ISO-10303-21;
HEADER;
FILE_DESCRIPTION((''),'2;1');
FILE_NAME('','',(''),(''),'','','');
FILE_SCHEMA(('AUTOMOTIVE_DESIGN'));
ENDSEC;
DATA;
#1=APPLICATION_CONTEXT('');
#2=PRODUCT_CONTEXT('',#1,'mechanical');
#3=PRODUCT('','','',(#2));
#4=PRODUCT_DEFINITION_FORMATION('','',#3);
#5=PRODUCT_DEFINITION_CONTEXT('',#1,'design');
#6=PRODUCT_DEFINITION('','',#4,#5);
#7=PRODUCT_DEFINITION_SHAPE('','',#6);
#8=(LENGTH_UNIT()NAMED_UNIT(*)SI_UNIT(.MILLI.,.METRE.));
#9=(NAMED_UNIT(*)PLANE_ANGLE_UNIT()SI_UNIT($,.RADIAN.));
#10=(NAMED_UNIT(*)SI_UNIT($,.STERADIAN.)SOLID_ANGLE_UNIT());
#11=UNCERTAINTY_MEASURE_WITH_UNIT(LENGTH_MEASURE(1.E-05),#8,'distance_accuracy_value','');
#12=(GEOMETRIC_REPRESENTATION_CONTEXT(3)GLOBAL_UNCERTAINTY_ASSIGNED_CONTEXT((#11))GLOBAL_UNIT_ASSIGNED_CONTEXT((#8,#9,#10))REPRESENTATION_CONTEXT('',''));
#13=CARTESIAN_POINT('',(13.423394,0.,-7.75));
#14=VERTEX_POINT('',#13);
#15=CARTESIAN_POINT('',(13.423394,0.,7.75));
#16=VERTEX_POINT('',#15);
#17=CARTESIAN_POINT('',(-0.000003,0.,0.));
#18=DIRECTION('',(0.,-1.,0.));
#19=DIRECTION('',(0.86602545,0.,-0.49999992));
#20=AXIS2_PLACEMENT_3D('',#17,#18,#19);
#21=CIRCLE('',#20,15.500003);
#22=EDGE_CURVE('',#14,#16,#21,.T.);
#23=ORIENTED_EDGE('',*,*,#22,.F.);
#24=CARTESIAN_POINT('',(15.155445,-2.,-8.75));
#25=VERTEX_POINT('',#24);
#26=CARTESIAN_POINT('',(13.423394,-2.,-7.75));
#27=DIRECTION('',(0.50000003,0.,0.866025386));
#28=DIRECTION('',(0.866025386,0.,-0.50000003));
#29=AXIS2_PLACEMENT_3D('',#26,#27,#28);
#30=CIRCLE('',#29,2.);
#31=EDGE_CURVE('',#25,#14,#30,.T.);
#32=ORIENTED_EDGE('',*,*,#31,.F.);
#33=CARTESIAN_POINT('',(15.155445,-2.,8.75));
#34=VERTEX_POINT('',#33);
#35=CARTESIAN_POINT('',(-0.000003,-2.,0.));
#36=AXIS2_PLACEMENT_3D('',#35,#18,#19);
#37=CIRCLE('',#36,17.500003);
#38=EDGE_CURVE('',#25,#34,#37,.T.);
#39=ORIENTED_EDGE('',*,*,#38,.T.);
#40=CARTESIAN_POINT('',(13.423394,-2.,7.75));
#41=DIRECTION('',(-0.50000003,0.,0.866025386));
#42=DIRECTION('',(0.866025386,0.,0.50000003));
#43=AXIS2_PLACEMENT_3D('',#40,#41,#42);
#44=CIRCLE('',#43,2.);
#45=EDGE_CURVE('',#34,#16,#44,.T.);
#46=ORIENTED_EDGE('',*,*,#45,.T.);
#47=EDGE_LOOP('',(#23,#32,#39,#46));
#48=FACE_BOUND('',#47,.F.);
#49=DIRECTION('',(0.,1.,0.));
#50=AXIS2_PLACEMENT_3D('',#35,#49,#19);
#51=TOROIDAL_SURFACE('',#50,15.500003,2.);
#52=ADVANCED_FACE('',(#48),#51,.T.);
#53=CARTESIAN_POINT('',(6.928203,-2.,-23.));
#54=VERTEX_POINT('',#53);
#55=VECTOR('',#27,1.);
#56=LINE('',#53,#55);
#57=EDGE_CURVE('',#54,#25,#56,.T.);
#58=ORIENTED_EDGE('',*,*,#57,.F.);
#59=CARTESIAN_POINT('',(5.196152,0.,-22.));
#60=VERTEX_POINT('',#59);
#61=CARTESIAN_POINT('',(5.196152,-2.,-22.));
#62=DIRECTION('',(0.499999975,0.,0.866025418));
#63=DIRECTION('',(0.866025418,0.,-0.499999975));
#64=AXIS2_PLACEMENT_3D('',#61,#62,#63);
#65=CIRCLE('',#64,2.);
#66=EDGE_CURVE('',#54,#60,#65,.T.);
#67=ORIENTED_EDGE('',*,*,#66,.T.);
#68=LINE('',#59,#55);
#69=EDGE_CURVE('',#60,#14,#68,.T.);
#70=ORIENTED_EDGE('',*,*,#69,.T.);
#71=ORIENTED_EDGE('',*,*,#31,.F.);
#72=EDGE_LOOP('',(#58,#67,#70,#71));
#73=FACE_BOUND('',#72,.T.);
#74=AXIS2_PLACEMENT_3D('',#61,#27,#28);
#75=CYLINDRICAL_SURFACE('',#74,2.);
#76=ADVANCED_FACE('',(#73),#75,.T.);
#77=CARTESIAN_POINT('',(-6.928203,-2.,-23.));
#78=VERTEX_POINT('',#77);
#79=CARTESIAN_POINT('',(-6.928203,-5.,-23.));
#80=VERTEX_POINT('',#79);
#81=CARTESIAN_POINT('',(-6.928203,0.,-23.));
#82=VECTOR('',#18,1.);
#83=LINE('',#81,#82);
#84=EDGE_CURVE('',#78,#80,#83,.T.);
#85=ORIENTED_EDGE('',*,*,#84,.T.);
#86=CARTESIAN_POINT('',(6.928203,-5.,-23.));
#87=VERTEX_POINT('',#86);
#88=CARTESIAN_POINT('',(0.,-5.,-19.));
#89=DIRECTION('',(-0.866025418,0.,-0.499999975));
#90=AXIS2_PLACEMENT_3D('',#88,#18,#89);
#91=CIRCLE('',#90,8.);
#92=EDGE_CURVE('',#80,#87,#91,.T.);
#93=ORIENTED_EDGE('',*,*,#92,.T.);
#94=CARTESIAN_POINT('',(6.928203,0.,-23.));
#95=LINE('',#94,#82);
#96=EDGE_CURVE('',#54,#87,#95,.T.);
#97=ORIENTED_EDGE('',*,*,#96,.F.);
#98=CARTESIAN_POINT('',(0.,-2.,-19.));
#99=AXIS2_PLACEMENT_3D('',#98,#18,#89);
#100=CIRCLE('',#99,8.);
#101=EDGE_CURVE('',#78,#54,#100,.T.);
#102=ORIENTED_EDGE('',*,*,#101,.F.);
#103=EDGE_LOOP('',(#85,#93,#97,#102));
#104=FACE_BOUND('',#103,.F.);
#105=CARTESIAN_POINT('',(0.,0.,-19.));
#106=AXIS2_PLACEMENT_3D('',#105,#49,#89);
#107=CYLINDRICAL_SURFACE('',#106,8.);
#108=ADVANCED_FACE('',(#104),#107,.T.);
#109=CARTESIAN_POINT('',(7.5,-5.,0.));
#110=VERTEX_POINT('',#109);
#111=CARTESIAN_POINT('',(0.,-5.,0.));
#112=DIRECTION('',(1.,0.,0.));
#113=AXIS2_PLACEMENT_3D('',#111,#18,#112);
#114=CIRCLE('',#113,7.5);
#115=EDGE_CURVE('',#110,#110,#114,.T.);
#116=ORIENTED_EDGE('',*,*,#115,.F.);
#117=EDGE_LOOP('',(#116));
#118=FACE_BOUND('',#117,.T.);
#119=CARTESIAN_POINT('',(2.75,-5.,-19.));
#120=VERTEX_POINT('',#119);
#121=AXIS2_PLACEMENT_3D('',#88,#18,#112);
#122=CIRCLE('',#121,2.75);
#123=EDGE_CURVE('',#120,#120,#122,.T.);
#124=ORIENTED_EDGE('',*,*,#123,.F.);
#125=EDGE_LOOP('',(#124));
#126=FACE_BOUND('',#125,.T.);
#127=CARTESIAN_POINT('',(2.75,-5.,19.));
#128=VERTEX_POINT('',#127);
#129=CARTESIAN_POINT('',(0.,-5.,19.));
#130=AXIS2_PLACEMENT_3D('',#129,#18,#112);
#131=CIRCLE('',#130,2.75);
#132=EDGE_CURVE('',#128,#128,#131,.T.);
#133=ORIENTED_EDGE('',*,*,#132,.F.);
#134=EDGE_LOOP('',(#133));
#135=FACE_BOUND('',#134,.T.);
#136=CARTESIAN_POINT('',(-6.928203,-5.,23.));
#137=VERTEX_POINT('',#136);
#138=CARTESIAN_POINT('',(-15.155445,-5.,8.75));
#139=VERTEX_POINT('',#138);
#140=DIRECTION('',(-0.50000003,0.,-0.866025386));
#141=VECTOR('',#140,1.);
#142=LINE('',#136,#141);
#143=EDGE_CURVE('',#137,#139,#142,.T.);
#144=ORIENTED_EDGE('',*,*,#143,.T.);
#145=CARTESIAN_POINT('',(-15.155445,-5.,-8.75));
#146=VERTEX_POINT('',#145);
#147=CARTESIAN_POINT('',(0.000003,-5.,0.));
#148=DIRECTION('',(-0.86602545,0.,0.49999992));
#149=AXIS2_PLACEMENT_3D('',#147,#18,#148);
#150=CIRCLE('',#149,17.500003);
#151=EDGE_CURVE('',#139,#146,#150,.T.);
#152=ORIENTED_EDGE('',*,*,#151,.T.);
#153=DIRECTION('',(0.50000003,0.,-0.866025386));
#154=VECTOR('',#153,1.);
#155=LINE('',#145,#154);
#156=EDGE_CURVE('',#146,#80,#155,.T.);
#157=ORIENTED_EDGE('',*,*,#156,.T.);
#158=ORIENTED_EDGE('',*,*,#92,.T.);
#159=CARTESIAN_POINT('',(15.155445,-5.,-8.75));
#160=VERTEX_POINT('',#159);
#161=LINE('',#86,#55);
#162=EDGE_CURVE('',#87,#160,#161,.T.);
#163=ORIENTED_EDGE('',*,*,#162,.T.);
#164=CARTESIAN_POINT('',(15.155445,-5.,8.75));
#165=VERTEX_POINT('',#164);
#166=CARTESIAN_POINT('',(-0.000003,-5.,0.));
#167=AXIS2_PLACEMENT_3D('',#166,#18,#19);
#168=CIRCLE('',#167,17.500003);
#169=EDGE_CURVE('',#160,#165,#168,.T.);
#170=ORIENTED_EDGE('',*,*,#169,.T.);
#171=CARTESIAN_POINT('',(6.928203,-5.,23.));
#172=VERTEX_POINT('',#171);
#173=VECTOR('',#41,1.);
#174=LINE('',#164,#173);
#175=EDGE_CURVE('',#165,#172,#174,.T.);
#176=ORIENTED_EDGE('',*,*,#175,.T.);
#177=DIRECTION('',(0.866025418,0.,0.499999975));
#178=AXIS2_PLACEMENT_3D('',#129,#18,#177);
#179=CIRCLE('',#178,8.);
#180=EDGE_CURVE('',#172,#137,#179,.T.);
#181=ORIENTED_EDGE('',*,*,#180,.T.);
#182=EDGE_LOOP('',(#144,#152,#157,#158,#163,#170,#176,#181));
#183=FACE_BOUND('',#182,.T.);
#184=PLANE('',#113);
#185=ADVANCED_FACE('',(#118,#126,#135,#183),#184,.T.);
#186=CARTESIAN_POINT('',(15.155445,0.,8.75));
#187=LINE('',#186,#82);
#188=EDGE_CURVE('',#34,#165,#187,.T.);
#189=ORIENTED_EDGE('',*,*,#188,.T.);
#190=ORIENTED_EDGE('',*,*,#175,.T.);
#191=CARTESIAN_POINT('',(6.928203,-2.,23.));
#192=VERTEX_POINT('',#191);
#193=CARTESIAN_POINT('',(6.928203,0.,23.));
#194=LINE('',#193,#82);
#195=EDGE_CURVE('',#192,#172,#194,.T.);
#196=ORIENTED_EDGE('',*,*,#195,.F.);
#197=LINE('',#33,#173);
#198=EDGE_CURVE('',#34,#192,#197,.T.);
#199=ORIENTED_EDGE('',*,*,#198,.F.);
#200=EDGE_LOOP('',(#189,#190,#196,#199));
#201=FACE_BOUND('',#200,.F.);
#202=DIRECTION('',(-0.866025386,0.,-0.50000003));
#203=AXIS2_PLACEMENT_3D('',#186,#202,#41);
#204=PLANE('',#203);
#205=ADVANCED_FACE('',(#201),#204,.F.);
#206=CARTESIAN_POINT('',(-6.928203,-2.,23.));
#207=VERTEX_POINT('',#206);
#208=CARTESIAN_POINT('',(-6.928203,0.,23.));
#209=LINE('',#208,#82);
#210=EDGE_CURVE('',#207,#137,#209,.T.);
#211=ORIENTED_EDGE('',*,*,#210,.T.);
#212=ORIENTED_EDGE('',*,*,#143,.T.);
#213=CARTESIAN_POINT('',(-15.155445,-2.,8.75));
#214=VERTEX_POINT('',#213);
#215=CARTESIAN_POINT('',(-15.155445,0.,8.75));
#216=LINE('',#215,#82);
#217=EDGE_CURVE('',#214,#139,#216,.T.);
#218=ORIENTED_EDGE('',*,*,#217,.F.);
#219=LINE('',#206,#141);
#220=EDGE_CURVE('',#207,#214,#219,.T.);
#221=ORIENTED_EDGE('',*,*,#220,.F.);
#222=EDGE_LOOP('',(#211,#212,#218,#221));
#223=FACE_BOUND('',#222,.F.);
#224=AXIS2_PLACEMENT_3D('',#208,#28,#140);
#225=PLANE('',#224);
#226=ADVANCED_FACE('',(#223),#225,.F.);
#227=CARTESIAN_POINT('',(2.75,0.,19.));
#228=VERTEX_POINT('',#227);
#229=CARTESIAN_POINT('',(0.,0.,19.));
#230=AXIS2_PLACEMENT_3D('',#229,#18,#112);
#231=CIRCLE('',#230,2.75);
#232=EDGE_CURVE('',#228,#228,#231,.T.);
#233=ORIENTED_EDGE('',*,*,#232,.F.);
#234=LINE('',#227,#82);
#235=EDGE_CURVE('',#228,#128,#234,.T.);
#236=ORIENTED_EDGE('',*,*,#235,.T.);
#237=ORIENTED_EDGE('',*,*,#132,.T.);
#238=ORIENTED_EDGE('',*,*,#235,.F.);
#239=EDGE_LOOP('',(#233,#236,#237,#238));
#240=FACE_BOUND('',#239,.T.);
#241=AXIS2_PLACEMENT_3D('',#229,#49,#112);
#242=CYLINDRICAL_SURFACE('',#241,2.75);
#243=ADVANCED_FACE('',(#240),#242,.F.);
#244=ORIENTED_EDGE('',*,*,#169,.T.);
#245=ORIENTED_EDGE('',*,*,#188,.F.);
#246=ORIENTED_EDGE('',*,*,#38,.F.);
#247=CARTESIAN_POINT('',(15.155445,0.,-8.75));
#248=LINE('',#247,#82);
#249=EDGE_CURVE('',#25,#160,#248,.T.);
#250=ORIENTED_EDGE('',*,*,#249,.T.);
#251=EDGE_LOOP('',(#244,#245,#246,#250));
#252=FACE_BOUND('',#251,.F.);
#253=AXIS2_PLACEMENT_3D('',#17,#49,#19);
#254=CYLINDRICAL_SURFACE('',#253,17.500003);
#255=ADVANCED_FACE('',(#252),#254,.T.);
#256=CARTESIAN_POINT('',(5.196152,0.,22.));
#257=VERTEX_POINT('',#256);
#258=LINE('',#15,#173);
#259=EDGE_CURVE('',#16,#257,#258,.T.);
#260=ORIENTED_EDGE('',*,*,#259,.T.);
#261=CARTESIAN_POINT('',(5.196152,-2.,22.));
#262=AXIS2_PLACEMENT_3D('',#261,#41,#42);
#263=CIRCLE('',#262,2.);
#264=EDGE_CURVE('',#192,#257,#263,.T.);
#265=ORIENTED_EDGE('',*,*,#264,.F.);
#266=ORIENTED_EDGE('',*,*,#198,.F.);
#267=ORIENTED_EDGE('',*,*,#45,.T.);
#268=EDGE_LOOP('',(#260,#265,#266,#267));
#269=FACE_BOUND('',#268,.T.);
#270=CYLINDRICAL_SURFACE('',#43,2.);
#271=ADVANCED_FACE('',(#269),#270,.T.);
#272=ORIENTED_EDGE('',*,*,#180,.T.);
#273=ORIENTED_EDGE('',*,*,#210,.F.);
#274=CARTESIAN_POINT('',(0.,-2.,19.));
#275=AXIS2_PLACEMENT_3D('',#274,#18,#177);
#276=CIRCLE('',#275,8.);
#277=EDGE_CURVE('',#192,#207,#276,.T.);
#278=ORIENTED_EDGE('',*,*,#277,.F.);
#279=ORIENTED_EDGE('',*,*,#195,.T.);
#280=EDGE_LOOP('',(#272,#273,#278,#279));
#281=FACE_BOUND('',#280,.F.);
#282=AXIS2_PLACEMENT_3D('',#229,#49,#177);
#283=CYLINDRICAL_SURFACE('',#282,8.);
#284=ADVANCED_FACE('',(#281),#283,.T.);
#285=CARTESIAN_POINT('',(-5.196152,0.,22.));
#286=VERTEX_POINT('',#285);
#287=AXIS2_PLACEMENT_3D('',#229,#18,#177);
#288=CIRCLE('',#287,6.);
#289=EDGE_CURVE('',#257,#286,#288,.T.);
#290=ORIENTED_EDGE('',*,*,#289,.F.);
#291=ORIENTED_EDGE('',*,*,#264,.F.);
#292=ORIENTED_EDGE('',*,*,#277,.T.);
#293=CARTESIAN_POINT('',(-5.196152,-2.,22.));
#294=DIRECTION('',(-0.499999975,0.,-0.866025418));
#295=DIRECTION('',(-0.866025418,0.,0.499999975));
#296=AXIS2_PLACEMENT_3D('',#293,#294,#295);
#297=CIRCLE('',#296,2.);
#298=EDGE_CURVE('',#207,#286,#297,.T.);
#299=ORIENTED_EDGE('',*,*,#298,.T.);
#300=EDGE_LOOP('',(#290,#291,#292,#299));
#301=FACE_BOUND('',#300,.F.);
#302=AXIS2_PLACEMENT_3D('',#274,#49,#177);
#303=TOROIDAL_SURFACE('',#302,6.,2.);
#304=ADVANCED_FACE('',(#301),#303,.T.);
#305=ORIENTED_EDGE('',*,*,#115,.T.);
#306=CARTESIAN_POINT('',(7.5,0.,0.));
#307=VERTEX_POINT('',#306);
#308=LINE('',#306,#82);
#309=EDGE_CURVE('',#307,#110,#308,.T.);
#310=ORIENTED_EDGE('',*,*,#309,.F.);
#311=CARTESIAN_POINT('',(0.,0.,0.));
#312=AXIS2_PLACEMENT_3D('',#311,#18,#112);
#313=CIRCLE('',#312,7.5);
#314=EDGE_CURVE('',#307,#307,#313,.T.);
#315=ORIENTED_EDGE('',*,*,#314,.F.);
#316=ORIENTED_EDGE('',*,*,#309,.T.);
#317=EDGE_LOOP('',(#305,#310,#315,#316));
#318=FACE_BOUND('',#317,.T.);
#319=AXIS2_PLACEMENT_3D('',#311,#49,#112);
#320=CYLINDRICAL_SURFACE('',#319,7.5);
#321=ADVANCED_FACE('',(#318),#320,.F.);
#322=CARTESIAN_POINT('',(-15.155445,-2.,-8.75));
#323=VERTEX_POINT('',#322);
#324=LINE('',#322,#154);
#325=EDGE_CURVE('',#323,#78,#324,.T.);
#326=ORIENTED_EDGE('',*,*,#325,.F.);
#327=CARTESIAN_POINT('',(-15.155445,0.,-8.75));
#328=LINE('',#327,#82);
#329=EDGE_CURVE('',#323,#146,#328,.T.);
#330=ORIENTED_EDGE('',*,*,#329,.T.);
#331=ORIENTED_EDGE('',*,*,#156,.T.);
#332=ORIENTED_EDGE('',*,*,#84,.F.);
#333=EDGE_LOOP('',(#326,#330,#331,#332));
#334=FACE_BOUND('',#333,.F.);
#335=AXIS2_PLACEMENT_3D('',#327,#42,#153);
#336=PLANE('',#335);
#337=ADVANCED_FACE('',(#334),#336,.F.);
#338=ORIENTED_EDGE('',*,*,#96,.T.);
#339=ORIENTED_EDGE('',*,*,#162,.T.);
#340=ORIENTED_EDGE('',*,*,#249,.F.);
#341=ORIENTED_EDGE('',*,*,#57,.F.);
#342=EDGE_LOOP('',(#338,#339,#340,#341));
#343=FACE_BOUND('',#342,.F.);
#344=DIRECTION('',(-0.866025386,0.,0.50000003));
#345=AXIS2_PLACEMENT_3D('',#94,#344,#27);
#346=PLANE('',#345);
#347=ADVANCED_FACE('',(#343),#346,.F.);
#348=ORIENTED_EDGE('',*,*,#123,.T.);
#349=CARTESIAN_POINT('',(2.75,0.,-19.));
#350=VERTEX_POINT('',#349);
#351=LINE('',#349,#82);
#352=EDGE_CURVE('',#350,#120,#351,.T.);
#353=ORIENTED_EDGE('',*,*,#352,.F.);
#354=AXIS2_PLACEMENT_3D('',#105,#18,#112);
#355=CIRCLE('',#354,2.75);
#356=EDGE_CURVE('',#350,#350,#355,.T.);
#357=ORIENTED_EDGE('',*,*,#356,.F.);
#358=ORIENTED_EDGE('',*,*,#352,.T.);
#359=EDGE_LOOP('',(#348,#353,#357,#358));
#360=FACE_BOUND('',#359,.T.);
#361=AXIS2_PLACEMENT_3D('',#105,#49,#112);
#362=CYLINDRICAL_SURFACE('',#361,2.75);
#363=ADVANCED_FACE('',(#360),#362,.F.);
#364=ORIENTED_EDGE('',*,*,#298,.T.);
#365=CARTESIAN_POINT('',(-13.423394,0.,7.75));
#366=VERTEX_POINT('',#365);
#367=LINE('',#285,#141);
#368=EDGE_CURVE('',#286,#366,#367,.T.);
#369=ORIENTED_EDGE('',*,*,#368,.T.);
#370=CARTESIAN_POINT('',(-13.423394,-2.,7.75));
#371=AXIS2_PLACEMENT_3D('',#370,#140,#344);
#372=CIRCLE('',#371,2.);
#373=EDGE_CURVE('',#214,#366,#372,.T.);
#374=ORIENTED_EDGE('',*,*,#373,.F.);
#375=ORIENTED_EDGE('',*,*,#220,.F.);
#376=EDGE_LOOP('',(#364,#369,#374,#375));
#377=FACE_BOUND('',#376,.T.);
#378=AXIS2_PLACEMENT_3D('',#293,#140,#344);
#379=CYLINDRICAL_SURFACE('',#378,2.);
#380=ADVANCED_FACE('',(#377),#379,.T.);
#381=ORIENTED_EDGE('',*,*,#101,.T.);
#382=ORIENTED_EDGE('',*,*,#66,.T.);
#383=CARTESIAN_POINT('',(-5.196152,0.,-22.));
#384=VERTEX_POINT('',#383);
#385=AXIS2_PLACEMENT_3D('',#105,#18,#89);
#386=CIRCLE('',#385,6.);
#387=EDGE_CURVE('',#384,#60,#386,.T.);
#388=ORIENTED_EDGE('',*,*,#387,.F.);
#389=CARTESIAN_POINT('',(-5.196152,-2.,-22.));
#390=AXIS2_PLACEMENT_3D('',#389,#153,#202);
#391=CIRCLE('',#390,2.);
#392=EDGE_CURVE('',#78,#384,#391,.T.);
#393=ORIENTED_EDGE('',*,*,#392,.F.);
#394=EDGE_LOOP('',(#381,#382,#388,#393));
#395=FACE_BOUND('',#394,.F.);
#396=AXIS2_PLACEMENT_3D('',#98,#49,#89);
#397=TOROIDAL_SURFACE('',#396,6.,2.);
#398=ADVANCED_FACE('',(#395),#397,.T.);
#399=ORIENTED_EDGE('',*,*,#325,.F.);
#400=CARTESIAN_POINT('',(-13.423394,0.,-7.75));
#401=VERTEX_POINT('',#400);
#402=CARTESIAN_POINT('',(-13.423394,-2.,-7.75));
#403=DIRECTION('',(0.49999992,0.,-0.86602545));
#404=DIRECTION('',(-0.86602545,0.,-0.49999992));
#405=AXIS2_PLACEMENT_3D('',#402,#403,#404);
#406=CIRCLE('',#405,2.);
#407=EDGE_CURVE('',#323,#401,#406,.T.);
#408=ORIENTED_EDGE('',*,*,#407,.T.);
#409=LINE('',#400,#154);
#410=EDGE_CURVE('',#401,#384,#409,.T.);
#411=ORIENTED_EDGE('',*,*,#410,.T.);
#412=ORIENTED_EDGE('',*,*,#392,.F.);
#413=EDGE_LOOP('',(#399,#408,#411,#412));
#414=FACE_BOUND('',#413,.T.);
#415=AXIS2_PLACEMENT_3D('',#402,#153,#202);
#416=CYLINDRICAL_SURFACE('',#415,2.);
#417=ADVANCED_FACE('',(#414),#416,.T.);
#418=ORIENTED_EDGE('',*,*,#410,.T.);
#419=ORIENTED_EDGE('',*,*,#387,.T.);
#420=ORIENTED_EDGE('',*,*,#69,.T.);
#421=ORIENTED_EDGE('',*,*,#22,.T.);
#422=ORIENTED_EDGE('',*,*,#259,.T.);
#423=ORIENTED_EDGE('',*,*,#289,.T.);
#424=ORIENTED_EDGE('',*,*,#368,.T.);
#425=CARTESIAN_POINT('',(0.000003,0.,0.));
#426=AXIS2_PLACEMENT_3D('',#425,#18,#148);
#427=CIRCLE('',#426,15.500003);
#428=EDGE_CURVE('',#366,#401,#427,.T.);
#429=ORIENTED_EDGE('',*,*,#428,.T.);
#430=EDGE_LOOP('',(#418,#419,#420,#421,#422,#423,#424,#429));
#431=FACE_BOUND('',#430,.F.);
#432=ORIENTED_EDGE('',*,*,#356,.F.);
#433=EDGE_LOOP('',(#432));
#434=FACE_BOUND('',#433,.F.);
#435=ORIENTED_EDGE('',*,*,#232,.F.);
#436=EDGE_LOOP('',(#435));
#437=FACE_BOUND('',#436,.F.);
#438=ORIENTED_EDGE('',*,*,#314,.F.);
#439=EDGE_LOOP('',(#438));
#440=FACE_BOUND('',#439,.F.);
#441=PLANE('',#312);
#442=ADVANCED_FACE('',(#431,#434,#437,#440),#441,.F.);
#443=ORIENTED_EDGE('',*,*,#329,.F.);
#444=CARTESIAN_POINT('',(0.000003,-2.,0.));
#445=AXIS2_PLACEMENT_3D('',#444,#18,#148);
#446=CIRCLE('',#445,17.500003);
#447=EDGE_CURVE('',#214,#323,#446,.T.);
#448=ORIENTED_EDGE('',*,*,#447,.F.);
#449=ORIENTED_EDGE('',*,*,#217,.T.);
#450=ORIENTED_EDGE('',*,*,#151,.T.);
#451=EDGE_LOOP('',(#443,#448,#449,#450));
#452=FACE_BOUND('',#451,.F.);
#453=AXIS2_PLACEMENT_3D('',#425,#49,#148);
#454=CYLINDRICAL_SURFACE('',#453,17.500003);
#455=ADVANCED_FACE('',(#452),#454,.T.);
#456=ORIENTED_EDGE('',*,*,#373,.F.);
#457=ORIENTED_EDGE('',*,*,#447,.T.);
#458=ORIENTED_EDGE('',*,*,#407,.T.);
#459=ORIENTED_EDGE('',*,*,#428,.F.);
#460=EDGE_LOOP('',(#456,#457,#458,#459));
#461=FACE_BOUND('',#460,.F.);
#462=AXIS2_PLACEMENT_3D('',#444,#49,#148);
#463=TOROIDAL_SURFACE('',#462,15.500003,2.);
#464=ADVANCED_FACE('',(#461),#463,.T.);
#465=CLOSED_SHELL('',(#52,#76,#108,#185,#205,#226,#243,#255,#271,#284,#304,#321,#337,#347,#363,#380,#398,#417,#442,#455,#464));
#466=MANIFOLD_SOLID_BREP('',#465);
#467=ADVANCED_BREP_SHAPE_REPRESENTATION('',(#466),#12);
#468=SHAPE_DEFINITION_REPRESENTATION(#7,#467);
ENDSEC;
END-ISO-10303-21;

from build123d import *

# Parameters (mm, degrees)
F0_R     = 2.75
F0_R_2   = 7.5
F1_DEPTH = 5
F2_R     = 2


with BuildPart() as f1:
    # F0 (on Front) → F1 (new body)
    with BuildSketch(Plane.XZ):
        with BuildLine():
            Line((-6.928203, 23), (-15.155445, 8.75))
            ThreePointArc((-15.155445, 8.75), (-17.5, 0), (-15.155445, -8.75))
            Line((-15.155445, -8.75), (-6.928203, -23))
            ThreePointArc((-6.928203, -23), (0, -27), (6.928203, -23))
            Line((6.928203, -23), (15.155445, -8.75))
            ThreePointArc((15.155445, -8.75), (17.5, 0), (15.155445, 8.75))
            Line((15.155445, 8.75), (6.928203, 23))
            ThreePointArc((6.928203, 23), (0, 27), (-6.928203, 23))
        make_face()
        with Locations((0, -19)):
            Circle(F0_R, mode=Mode.SUBTRACT)
        Circle(F0_R_2, mode=Mode.SUBTRACT)
        with Locations((0, 19)):
            Circle(F0_R, mode=Mode.SUBTRACT)
    extrude(amount=F1_DEPTH)

    # F2
    f2_edges = [f1.edges().sort_by_distance(p)[0] for p in [
        (11.041824, 0, 15.875),
    ]]
    fillet(f2_edges, radius=F2_R)


solid = f1.part
